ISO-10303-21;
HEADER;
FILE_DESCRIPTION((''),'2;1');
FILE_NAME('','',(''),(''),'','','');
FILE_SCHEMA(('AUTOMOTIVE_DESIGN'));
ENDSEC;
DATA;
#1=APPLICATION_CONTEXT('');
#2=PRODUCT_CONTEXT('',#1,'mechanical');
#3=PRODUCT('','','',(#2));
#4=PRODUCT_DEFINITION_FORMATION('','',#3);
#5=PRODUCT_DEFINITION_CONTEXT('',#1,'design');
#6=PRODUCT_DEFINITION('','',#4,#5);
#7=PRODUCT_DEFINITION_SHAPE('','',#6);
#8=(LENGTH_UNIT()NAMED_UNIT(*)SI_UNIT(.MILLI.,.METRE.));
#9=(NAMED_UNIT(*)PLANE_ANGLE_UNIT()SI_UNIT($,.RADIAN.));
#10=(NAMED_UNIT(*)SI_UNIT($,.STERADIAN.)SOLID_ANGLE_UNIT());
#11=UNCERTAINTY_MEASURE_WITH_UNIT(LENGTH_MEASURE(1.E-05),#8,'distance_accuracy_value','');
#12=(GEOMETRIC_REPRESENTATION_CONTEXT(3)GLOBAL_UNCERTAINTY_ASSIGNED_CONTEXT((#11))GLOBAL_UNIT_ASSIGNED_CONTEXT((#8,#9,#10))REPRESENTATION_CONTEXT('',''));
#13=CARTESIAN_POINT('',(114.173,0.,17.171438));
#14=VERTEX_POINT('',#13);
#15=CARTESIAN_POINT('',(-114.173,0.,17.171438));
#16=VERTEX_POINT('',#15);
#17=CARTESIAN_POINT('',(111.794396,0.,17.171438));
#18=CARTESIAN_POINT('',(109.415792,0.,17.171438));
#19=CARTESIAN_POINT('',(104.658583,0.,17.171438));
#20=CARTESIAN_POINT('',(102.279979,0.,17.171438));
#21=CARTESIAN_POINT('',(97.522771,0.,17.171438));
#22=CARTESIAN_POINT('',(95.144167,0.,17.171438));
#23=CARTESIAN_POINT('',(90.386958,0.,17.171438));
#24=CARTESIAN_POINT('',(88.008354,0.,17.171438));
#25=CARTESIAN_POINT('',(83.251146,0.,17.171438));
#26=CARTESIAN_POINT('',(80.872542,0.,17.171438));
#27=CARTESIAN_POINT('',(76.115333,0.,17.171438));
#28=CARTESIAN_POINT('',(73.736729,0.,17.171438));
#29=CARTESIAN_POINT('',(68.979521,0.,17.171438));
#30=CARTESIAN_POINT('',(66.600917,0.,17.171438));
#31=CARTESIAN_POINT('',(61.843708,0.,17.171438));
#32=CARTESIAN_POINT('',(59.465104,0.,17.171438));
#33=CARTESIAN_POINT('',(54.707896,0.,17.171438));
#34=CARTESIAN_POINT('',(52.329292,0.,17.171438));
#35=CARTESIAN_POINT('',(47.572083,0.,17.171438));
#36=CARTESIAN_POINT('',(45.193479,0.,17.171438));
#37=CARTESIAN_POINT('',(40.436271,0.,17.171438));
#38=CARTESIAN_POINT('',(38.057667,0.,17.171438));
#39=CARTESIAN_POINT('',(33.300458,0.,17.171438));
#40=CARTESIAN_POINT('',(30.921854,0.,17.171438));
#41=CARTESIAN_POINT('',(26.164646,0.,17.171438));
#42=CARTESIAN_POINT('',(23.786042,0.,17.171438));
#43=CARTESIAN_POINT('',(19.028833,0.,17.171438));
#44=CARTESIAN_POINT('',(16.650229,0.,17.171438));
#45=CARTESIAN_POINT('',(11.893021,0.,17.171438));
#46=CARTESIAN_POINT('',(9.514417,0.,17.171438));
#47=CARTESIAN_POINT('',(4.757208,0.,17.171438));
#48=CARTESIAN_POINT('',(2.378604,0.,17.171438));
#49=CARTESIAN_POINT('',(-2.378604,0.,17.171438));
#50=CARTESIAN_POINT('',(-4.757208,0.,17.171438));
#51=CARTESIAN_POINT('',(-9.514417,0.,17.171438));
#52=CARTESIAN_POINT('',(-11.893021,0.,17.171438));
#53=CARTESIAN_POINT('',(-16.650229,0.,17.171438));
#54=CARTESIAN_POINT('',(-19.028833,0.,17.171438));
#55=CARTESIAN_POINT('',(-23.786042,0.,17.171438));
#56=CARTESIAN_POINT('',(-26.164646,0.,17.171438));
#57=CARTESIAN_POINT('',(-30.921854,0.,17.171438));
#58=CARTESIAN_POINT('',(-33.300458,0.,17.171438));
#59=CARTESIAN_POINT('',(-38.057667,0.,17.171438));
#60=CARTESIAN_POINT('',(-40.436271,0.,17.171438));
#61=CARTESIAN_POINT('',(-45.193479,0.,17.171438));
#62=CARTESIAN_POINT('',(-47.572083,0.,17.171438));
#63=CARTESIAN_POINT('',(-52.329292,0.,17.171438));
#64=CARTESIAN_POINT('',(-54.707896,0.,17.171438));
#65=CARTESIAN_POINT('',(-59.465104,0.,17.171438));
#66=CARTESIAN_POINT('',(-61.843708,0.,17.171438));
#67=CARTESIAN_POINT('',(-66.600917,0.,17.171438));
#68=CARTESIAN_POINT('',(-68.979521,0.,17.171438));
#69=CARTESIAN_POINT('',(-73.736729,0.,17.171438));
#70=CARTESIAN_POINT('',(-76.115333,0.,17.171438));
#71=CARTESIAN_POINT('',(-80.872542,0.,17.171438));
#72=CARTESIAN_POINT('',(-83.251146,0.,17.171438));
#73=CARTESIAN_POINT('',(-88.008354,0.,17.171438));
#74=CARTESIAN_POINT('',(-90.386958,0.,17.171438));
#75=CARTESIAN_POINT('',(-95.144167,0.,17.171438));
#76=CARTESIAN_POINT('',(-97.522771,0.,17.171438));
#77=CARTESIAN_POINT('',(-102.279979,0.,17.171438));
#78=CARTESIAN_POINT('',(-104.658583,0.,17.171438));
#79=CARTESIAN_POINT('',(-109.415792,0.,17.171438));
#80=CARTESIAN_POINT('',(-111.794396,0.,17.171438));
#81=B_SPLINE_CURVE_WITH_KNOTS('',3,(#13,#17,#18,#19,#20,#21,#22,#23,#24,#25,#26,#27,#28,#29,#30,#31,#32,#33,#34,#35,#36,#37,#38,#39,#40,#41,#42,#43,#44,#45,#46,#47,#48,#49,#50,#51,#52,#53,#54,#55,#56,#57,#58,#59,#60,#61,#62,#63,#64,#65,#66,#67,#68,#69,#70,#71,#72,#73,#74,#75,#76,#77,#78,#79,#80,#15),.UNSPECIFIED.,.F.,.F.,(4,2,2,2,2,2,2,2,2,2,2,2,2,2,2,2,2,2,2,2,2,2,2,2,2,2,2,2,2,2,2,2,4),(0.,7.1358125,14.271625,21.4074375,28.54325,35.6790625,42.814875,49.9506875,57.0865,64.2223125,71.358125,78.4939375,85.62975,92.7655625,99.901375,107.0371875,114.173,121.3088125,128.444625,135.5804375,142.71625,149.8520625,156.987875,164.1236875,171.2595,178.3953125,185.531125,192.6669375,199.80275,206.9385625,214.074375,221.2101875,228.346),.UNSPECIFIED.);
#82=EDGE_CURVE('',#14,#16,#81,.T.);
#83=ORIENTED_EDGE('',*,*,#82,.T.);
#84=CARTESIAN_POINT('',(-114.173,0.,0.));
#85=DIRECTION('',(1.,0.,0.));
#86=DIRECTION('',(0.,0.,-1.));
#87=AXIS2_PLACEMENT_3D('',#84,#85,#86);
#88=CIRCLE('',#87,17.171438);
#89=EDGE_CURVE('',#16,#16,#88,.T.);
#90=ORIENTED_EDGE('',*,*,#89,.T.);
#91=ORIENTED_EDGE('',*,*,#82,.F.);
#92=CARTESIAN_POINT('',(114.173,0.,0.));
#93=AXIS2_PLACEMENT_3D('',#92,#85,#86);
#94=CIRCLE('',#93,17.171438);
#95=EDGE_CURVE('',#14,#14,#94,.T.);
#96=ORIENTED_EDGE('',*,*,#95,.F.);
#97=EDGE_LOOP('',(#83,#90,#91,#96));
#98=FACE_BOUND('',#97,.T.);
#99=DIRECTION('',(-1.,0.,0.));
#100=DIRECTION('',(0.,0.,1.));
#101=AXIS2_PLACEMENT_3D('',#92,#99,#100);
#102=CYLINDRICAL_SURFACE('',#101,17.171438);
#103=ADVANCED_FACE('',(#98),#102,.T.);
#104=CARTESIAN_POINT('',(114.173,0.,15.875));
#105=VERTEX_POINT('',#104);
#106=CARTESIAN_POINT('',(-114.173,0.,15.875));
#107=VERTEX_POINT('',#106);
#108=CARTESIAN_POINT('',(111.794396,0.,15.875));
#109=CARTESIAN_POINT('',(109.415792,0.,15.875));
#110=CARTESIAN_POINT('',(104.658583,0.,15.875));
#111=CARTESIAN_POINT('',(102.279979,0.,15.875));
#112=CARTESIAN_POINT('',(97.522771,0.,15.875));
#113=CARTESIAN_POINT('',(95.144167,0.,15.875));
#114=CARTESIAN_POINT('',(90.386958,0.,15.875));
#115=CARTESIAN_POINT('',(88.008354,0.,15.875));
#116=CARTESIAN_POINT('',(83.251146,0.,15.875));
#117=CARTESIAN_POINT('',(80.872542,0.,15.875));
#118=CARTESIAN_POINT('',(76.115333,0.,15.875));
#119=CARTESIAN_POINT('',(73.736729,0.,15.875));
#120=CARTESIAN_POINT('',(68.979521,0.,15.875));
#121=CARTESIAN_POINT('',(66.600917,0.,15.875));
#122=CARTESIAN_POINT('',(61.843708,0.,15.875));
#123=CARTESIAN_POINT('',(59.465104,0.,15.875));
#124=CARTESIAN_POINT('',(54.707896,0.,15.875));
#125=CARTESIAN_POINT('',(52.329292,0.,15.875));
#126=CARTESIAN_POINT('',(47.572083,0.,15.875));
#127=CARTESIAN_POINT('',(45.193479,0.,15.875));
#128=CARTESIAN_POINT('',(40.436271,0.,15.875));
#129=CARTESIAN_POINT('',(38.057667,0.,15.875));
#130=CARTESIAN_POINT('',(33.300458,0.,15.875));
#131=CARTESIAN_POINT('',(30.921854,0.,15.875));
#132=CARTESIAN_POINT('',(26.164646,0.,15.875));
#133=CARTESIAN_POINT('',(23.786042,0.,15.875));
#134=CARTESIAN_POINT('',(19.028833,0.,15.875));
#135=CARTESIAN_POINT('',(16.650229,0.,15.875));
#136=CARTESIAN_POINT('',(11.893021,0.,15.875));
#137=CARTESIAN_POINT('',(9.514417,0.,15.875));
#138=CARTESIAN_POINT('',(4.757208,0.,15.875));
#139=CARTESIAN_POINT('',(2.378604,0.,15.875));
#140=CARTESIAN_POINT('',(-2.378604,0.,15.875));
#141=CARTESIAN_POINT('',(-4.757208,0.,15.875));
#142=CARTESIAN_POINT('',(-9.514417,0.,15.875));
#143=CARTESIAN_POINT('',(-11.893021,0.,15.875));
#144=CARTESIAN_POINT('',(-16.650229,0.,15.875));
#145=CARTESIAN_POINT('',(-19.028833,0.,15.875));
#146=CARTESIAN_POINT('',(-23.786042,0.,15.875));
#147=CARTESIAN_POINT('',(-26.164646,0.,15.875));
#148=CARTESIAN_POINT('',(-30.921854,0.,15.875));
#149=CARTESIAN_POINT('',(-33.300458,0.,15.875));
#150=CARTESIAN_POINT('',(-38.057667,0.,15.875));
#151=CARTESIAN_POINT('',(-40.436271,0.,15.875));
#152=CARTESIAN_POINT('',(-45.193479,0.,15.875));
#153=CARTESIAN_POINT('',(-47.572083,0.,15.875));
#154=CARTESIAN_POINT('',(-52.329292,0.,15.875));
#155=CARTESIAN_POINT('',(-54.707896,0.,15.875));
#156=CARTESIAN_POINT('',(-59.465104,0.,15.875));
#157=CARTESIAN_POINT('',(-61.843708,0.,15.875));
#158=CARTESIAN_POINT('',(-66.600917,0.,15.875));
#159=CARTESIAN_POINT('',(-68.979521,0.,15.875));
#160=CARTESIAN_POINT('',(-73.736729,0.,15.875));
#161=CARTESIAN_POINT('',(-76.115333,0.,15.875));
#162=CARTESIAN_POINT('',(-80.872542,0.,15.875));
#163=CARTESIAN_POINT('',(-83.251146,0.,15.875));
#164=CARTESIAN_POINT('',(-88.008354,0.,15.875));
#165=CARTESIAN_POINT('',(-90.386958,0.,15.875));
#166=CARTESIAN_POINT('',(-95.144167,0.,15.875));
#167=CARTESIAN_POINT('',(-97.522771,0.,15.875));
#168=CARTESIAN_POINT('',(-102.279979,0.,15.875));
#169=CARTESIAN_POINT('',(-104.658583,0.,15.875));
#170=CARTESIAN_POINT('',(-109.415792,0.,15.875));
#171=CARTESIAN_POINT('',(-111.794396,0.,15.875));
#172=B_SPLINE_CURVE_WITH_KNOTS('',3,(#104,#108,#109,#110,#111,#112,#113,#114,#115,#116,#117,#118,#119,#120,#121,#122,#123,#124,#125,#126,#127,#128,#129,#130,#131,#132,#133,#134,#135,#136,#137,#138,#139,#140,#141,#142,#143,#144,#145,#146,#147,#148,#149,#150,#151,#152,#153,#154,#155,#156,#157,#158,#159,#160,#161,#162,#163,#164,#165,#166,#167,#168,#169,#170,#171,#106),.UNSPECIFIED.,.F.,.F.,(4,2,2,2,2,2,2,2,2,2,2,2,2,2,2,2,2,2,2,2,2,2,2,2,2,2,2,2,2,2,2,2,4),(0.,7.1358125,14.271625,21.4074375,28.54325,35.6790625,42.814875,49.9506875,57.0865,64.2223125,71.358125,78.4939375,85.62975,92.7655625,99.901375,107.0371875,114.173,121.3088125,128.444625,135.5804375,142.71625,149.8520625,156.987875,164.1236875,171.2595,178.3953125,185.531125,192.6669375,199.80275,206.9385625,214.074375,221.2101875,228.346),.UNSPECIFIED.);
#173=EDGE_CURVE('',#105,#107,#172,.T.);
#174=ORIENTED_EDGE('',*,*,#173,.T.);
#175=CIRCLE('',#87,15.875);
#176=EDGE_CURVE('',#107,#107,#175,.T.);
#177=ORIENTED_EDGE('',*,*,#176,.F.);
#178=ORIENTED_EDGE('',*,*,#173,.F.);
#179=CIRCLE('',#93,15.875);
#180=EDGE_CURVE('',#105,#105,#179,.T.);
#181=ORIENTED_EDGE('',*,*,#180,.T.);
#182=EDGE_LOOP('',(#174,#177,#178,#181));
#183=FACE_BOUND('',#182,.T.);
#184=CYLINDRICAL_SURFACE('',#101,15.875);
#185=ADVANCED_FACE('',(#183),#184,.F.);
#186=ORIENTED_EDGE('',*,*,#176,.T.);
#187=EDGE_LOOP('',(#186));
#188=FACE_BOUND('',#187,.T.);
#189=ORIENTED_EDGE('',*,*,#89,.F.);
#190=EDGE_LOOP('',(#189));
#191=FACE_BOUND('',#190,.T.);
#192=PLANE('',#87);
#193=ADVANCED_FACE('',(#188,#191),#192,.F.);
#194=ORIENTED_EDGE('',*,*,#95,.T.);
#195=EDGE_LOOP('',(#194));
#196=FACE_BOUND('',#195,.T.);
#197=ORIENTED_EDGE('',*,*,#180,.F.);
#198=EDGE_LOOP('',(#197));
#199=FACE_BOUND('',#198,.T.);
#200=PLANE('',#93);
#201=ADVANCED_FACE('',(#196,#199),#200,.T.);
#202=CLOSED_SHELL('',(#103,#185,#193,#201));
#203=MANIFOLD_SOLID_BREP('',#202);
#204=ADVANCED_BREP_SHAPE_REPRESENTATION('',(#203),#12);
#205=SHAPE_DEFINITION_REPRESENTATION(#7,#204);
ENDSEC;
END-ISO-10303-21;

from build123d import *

# Parameters (mm, degrees)
SKETCH1_R           = 17.171437949
SKETCH1_R_2         = 15.875
BOSS_EXTRUDE1_DEPTH = 114.173


with BuildPart() as part:
    # Sketch1 → Boss-Extrude1 (new, symmetric)
    with BuildSketch(Plane(origin=(0, 0, 0), x_dir=(0, 0, -1), z_dir=(1, 0, 0))):
        with Locations(Location((0, 0, 0), (0, 0, 180))):
            Circle(SKETCH1_R)
        with Locations(Location((0, 0, 0), (0, 0, 180))):
            Circle(SKETCH1_R_2, mode=Mode.SUBTRACT)
    extrude(amount=BOSS_EXTRUDE1_DEPTH, both=True)


solid = part.part
